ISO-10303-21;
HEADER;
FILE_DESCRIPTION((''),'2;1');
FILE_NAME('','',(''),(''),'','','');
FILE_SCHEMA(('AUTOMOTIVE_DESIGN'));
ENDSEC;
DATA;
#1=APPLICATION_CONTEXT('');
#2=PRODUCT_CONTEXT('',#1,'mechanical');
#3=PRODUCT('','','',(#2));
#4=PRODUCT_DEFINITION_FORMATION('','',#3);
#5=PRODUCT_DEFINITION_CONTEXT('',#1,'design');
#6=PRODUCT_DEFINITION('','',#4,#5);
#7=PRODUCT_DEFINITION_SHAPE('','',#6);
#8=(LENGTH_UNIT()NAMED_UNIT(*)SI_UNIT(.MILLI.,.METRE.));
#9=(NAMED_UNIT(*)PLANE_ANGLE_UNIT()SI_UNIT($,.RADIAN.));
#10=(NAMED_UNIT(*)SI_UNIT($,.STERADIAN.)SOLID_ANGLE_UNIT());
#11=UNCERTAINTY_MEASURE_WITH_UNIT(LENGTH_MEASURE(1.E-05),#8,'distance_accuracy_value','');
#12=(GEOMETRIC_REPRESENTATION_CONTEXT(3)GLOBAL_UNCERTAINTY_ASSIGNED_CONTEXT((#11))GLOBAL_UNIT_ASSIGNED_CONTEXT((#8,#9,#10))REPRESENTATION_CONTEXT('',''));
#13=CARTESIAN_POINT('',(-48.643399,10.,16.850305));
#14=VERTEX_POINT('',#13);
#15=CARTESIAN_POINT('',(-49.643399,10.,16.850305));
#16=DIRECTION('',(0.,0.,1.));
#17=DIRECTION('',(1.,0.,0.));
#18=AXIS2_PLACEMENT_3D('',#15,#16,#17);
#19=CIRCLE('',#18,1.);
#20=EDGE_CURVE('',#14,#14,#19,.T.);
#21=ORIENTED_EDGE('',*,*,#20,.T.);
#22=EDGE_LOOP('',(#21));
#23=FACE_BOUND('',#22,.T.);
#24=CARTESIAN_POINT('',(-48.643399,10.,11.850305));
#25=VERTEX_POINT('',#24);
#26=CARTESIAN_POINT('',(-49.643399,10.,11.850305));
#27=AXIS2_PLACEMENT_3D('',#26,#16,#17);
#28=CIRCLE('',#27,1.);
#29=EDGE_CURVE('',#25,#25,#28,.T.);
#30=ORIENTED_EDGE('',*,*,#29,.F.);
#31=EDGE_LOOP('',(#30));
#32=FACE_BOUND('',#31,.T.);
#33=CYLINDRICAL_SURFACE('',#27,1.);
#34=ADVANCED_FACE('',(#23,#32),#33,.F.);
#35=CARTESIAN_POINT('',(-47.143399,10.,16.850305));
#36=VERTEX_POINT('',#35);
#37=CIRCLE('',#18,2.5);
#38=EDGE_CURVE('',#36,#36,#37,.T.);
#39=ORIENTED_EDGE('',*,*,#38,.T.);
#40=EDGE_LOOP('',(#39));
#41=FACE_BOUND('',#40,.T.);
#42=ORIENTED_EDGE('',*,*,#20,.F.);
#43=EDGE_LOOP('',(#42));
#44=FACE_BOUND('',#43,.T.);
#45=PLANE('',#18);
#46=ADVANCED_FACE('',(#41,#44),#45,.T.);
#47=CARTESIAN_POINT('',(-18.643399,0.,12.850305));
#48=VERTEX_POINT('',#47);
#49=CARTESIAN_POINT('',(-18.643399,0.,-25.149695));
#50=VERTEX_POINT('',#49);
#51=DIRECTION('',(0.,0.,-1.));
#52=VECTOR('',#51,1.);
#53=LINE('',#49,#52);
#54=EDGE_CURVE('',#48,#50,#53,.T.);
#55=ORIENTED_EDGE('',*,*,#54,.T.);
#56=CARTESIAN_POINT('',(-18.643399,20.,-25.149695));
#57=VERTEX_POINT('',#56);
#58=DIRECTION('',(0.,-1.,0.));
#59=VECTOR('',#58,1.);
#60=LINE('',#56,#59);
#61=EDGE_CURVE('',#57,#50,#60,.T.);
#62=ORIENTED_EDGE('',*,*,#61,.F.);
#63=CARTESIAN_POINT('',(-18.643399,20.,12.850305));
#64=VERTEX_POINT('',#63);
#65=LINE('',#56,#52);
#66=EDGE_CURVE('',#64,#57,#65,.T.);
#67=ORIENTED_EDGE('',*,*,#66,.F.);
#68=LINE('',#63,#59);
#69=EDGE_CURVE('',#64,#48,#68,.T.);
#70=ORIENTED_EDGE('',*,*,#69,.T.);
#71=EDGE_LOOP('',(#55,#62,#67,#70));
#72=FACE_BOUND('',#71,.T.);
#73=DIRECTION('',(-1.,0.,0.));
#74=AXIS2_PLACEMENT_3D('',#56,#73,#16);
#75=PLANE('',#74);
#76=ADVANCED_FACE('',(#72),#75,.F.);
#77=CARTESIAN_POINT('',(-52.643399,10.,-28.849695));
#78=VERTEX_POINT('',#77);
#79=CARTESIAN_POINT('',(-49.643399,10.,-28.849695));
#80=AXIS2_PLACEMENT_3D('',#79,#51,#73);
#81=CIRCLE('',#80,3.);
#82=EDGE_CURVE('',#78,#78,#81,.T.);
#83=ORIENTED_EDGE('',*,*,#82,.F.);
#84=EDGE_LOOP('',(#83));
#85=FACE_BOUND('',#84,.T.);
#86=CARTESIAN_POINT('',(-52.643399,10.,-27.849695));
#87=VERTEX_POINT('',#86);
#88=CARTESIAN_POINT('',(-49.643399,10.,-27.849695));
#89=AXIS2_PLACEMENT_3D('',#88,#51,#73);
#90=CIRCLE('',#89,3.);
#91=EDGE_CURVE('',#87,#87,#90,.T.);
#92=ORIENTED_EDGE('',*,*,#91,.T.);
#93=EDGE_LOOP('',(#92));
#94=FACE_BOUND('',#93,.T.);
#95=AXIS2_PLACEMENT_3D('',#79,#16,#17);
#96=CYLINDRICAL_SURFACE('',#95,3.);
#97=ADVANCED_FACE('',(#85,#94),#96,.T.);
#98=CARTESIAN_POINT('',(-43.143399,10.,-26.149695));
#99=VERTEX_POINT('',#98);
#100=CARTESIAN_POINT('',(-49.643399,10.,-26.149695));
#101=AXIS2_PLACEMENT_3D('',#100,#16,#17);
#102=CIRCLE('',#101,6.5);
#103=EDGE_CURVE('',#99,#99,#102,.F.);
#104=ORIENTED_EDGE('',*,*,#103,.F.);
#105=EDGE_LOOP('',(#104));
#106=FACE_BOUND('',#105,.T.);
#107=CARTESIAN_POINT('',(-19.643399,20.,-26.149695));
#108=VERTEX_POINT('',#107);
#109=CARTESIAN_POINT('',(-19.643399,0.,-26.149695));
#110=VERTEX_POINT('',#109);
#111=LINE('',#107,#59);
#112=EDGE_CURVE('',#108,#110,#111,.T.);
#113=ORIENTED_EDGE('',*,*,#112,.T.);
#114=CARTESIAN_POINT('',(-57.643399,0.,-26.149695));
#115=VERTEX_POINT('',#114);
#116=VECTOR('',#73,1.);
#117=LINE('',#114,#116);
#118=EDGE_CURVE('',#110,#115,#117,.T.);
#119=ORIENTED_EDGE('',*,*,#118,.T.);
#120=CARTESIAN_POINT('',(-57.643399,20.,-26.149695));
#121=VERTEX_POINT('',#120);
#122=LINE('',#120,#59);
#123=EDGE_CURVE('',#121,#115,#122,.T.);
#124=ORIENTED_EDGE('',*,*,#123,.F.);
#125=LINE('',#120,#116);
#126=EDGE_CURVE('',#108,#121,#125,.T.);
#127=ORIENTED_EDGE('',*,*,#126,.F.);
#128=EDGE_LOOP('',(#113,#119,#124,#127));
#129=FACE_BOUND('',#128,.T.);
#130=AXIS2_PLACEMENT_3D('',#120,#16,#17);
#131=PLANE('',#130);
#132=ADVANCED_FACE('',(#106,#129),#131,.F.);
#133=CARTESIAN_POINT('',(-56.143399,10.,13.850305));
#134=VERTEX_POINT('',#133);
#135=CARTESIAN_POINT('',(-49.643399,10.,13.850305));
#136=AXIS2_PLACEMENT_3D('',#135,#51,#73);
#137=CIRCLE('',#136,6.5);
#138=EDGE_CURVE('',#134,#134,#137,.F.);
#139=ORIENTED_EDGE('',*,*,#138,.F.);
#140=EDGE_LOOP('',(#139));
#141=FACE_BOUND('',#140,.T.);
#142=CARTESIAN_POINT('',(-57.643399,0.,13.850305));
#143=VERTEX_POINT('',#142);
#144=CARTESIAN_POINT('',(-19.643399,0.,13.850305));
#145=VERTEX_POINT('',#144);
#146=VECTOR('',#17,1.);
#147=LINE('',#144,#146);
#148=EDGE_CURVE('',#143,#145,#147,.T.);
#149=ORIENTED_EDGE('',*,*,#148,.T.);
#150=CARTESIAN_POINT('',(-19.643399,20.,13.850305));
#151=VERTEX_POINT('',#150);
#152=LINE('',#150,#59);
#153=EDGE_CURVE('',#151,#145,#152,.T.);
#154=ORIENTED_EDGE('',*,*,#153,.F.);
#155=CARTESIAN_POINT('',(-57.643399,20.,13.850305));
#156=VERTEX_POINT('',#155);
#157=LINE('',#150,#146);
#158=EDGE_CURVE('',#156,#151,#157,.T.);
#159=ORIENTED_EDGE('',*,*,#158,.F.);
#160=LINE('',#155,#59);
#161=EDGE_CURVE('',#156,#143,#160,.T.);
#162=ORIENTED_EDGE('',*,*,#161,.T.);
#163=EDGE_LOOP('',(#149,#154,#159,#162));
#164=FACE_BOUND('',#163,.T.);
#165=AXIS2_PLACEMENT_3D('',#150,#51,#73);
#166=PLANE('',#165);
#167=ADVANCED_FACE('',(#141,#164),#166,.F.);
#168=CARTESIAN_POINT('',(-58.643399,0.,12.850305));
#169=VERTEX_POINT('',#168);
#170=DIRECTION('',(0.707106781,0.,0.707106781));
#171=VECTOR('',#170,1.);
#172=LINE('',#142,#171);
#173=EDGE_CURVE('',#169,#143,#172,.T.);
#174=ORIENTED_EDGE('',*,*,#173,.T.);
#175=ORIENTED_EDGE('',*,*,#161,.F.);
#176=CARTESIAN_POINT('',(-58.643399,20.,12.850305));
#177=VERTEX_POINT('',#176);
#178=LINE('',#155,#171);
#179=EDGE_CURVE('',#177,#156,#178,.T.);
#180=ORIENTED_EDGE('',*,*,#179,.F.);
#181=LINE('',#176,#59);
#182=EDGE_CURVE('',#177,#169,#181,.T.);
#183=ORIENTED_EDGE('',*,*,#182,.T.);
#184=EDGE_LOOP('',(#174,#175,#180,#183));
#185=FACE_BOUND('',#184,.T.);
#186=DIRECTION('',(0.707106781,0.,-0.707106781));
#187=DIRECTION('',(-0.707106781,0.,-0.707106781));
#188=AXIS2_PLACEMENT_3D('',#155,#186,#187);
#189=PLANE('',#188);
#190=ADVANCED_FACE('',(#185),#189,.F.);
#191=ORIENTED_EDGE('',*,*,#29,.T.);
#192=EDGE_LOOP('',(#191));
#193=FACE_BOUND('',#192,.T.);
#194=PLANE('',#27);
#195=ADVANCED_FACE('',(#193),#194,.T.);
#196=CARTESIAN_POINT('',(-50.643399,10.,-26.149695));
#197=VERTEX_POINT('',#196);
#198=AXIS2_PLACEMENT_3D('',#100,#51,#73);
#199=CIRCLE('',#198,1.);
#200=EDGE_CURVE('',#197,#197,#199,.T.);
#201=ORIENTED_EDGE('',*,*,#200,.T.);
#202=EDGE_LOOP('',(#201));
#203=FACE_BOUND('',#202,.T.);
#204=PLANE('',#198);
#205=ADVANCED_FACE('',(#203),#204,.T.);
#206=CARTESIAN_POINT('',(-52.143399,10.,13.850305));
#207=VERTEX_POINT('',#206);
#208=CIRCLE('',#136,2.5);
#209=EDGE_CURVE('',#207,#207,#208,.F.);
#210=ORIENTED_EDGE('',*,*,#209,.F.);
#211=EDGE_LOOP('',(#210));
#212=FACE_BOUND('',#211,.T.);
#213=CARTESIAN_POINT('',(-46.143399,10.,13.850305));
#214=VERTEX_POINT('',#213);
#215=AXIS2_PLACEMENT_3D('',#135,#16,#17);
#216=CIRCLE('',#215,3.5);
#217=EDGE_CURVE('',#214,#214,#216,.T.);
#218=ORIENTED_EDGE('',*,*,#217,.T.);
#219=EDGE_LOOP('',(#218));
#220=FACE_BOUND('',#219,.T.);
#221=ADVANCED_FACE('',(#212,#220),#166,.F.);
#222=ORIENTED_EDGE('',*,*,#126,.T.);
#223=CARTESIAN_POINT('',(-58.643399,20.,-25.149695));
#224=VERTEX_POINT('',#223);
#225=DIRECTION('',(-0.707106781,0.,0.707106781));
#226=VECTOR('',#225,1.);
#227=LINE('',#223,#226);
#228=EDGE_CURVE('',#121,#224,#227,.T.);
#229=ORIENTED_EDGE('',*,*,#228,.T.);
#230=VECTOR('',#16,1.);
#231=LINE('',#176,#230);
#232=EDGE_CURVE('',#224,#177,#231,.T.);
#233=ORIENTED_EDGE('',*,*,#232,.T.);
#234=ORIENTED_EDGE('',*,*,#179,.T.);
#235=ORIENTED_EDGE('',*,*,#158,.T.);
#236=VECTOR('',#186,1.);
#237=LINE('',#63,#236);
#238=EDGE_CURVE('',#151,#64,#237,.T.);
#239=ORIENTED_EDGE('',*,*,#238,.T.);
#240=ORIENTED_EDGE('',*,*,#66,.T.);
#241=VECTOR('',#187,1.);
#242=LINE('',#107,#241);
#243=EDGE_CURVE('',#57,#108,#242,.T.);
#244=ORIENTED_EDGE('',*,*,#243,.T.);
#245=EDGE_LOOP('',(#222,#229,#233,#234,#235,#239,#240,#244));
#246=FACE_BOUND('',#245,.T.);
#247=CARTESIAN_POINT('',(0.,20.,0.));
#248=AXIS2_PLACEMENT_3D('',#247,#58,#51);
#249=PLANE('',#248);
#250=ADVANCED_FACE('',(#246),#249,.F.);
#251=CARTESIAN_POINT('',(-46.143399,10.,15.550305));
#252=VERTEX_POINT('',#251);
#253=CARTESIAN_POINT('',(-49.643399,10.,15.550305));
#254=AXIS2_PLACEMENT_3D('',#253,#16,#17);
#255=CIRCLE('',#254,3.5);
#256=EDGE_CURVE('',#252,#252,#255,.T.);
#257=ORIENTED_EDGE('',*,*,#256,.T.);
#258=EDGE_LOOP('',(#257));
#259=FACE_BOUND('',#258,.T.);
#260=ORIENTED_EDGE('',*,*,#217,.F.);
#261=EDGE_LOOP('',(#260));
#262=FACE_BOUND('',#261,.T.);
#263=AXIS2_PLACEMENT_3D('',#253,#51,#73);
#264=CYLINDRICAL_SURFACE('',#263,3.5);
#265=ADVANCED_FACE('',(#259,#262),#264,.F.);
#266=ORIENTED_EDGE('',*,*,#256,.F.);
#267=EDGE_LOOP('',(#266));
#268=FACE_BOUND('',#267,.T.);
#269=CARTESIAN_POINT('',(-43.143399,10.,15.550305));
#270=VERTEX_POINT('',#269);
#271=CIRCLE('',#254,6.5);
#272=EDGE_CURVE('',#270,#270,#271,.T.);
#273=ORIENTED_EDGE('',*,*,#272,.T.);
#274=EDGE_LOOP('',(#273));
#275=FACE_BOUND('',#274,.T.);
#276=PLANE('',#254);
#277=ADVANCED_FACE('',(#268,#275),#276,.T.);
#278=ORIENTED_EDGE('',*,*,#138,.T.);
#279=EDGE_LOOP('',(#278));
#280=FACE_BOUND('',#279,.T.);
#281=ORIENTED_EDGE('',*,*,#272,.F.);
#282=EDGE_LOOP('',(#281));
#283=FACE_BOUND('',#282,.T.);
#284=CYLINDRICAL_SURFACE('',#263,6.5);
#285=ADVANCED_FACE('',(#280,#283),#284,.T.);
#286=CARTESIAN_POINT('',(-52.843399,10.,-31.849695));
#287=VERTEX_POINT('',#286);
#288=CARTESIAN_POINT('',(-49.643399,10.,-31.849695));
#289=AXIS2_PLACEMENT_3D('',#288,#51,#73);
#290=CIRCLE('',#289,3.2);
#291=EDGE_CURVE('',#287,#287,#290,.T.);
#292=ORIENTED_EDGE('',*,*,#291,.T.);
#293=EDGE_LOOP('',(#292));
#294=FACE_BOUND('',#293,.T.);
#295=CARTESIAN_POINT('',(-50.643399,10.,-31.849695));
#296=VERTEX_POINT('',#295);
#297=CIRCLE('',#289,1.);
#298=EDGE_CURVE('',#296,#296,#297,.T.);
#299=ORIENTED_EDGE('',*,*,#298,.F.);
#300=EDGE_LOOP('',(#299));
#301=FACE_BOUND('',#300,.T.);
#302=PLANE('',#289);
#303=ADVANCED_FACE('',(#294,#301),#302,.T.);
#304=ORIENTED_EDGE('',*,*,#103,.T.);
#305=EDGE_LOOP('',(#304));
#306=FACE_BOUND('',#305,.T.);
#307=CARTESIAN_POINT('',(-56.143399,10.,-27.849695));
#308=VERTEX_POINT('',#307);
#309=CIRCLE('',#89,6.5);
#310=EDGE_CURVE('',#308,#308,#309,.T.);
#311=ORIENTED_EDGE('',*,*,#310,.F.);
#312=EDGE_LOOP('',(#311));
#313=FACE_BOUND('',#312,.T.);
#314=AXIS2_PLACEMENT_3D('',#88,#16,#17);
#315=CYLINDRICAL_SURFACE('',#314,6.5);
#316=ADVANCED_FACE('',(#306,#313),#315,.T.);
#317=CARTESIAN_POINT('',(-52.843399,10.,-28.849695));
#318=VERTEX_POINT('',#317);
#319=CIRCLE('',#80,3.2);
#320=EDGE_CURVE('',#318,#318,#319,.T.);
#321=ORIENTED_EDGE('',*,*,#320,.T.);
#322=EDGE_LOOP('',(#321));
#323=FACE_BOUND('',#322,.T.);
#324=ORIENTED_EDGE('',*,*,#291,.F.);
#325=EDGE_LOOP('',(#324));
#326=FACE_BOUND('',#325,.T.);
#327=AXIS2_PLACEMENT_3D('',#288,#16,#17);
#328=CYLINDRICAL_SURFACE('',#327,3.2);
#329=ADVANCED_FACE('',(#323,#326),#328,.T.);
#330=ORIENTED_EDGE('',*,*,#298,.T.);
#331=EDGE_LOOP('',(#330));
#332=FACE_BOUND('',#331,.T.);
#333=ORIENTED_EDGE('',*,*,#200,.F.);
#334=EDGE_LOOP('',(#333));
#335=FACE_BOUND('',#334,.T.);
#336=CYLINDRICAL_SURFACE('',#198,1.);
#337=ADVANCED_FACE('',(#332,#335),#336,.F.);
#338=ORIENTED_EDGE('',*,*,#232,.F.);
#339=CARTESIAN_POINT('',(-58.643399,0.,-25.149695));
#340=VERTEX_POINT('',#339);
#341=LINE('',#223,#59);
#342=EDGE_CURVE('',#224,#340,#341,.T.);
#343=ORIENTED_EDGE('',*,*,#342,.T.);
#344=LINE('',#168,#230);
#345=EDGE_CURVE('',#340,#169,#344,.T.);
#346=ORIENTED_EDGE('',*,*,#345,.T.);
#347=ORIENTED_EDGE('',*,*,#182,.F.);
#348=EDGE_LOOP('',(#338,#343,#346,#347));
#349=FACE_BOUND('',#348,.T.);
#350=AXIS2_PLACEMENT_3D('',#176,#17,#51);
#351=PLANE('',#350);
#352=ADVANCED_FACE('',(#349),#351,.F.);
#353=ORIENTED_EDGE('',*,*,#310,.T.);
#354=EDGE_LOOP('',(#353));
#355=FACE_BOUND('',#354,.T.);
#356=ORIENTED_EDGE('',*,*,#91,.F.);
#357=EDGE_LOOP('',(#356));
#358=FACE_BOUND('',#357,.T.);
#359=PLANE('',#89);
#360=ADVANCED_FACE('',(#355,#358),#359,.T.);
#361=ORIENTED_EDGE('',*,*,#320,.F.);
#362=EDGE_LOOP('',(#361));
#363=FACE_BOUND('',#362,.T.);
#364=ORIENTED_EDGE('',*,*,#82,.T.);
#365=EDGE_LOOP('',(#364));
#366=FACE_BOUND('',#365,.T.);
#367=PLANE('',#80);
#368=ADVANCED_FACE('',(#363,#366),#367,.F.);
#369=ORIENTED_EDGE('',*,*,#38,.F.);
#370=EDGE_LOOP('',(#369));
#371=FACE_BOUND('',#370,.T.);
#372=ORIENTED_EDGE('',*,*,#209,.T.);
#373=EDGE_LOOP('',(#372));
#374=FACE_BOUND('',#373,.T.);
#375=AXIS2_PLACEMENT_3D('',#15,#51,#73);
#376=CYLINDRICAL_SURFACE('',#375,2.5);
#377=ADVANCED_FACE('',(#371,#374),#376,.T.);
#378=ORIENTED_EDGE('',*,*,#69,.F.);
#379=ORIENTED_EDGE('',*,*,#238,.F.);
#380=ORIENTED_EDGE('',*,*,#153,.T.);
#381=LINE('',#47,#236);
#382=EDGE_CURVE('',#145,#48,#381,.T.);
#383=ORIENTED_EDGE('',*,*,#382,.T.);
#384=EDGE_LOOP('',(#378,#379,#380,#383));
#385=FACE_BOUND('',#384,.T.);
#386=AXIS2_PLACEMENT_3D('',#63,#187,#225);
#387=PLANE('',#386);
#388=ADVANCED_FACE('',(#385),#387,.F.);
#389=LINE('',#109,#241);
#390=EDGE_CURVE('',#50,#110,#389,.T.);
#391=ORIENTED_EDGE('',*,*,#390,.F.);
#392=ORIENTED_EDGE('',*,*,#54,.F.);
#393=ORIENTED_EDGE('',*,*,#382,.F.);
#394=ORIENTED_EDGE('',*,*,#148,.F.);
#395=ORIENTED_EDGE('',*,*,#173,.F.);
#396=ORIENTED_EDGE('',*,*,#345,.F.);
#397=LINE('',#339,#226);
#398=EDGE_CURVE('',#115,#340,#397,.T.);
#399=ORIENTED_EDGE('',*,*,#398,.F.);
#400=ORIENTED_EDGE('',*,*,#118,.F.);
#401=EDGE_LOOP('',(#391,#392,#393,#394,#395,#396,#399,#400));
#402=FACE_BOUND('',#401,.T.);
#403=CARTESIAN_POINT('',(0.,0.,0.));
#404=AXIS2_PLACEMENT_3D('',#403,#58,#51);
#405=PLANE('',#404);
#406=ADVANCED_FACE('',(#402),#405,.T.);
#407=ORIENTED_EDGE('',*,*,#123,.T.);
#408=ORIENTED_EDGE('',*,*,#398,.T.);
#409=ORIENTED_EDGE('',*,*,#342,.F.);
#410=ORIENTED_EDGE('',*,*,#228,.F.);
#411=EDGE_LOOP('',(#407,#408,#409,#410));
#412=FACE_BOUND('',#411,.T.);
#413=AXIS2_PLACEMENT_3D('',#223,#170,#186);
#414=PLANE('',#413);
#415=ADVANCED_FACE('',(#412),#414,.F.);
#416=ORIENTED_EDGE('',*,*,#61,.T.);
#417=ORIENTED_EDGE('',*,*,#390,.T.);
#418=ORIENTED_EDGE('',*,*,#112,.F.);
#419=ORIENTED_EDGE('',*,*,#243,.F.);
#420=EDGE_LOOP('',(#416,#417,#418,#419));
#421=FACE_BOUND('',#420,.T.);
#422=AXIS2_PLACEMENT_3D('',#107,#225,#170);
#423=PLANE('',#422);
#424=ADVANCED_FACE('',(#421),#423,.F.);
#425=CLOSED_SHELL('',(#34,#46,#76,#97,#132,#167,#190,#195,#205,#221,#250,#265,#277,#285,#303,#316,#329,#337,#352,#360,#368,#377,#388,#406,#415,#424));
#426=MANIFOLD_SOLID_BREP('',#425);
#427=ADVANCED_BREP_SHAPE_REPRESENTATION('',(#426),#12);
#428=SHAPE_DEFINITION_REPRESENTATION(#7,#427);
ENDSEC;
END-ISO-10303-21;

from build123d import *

# Parameters (mm, degrees)
EXTRUDE_1_DEPTH      = 20
SKETCH_4_R           = 6.5
SKETCH_4_R_2         = 3
EXTRUDE_2_DEPTH      = 1.7
SKETCH_5_R           = 3
EXTRUDE_3_DEPTH      = 2.7
SKETCH_6_R           = 3.2
EXTRUDE_4_DEPTH      = 3
SKETCH_7_R           = 1
CUT_EXTRUDE_41_DEPTH = 5.7
SKETCH_8_R           = 6.5
SKETCH_8_R_2         = 3.5
EXTRUDE_5_DEPTH      = 1.7
SKETCH_9_R           = 2.5
EXTRUDE_6_DEPTH      = 3
SKETCH_10_R          = 1
CUT_EXTRUDE_42_DEPTH = 5


with BuildPart() as part:
    # 草图1 → 凸台-拉伸1 (new body)
    with BuildSketch(Plane(origin=(0, 0, 0), x_dir=(1, 0, 0), z_dir=(0, 1, 0))):
        Polygon((-57.643399256, 26.149695183), (-19.643399256, 26.149695183), (-18.643399256, 25.149695183), (-18.643399256, -12.850304817), (-19.643399256, -13.850304817), (-57.643399256, -13.850304817), (-58.643399256, -12.850304817), (-58.643399256, 25.149695183), align=None)
    extrude(amount=EXTRUDE_1_DEPTH)

    # 草图4 → 凸台-拉伸2 (add)
    with BuildSketch(Plane(origin=(0, 0, -26.149695183), x_dir=(-1, 0, 0), z_dir=(0, 0, -1))):
        with Locations((49.643399256, 10)):
            Circle(SKETCH_4_R)
        with Locations((49.643399256, 10)):
            Circle(SKETCH_4_R_2, mode=Mode.SUBTRACT)
    extrude(amount=EXTRUDE_2_DEPTH)

    # 草图5 → 凸台-拉伸3 (add)
    with BuildSketch(Plane(origin=(0, 0, -26.149695183), x_dir=(-1, 0, 0), z_dir=(0, 0, -1))):
        with Locations((49.643399256, 10)):
            Circle(SKETCH_5_R)
    extrude(amount=EXTRUDE_3_DEPTH)

    # 草图6 → 凸台-拉伸4 (add)
    with BuildSketch(Plane(origin=(0, 0, -28.849695183), x_dir=(-1, 0, 0), z_dir=(0, 0, -1))):
        with Locations((49.643399256, 10)):
            Circle(SKETCH_6_R)
    extrude(amount=EXTRUDE_4_DEPTH)

    # 草图7 → 切除-拉伸41 (cut)
    with BuildSketch(Plane(origin=(0, 0, -31.849695183), x_dir=(-1, 0, 0), z_dir=(0, 0, -1))):
        with Locations((49.643399256, 10)):
            Circle(SKETCH_7_R)
    extrude(amount=-CUT_EXTRUDE_41_DEPTH, mode=Mode.SUBTRACT)

    # 草图8 → 凸台-拉伸5 (add)
    with BuildSketch(Plane.XY.offset(13.850304817)):
        with Locations((-49.643399256, 10)):
            Circle(SKETCH_8_R)
        with Locations((-49.643399256, 10)):
            Circle(SKETCH_8_R_2, mode=Mode.SUBTRACT)
    extrude(amount=EXTRUDE_5_DEPTH)

    # 草图9 → 凸台-拉伸6 (add)
    with BuildSketch(Plane.XY.offset(13.850304817)):
        with Locations((-49.643399256, 10)):
            Circle(SKETCH_9_R)
    extrude(amount=EXTRUDE_6_DEPTH)

    # 草图10 → 切除-拉伸42 (cut)
    with BuildSketch(Plane.XY.offset(16.850304817)):
        with Locations((-49.643399256, 10)):
            Circle(SKETCH_10_R)
    extrude(amount=-CUT_EXTRUDE_42_DEPTH, mode=Mode.SUBTRACT)


solid = part.part
